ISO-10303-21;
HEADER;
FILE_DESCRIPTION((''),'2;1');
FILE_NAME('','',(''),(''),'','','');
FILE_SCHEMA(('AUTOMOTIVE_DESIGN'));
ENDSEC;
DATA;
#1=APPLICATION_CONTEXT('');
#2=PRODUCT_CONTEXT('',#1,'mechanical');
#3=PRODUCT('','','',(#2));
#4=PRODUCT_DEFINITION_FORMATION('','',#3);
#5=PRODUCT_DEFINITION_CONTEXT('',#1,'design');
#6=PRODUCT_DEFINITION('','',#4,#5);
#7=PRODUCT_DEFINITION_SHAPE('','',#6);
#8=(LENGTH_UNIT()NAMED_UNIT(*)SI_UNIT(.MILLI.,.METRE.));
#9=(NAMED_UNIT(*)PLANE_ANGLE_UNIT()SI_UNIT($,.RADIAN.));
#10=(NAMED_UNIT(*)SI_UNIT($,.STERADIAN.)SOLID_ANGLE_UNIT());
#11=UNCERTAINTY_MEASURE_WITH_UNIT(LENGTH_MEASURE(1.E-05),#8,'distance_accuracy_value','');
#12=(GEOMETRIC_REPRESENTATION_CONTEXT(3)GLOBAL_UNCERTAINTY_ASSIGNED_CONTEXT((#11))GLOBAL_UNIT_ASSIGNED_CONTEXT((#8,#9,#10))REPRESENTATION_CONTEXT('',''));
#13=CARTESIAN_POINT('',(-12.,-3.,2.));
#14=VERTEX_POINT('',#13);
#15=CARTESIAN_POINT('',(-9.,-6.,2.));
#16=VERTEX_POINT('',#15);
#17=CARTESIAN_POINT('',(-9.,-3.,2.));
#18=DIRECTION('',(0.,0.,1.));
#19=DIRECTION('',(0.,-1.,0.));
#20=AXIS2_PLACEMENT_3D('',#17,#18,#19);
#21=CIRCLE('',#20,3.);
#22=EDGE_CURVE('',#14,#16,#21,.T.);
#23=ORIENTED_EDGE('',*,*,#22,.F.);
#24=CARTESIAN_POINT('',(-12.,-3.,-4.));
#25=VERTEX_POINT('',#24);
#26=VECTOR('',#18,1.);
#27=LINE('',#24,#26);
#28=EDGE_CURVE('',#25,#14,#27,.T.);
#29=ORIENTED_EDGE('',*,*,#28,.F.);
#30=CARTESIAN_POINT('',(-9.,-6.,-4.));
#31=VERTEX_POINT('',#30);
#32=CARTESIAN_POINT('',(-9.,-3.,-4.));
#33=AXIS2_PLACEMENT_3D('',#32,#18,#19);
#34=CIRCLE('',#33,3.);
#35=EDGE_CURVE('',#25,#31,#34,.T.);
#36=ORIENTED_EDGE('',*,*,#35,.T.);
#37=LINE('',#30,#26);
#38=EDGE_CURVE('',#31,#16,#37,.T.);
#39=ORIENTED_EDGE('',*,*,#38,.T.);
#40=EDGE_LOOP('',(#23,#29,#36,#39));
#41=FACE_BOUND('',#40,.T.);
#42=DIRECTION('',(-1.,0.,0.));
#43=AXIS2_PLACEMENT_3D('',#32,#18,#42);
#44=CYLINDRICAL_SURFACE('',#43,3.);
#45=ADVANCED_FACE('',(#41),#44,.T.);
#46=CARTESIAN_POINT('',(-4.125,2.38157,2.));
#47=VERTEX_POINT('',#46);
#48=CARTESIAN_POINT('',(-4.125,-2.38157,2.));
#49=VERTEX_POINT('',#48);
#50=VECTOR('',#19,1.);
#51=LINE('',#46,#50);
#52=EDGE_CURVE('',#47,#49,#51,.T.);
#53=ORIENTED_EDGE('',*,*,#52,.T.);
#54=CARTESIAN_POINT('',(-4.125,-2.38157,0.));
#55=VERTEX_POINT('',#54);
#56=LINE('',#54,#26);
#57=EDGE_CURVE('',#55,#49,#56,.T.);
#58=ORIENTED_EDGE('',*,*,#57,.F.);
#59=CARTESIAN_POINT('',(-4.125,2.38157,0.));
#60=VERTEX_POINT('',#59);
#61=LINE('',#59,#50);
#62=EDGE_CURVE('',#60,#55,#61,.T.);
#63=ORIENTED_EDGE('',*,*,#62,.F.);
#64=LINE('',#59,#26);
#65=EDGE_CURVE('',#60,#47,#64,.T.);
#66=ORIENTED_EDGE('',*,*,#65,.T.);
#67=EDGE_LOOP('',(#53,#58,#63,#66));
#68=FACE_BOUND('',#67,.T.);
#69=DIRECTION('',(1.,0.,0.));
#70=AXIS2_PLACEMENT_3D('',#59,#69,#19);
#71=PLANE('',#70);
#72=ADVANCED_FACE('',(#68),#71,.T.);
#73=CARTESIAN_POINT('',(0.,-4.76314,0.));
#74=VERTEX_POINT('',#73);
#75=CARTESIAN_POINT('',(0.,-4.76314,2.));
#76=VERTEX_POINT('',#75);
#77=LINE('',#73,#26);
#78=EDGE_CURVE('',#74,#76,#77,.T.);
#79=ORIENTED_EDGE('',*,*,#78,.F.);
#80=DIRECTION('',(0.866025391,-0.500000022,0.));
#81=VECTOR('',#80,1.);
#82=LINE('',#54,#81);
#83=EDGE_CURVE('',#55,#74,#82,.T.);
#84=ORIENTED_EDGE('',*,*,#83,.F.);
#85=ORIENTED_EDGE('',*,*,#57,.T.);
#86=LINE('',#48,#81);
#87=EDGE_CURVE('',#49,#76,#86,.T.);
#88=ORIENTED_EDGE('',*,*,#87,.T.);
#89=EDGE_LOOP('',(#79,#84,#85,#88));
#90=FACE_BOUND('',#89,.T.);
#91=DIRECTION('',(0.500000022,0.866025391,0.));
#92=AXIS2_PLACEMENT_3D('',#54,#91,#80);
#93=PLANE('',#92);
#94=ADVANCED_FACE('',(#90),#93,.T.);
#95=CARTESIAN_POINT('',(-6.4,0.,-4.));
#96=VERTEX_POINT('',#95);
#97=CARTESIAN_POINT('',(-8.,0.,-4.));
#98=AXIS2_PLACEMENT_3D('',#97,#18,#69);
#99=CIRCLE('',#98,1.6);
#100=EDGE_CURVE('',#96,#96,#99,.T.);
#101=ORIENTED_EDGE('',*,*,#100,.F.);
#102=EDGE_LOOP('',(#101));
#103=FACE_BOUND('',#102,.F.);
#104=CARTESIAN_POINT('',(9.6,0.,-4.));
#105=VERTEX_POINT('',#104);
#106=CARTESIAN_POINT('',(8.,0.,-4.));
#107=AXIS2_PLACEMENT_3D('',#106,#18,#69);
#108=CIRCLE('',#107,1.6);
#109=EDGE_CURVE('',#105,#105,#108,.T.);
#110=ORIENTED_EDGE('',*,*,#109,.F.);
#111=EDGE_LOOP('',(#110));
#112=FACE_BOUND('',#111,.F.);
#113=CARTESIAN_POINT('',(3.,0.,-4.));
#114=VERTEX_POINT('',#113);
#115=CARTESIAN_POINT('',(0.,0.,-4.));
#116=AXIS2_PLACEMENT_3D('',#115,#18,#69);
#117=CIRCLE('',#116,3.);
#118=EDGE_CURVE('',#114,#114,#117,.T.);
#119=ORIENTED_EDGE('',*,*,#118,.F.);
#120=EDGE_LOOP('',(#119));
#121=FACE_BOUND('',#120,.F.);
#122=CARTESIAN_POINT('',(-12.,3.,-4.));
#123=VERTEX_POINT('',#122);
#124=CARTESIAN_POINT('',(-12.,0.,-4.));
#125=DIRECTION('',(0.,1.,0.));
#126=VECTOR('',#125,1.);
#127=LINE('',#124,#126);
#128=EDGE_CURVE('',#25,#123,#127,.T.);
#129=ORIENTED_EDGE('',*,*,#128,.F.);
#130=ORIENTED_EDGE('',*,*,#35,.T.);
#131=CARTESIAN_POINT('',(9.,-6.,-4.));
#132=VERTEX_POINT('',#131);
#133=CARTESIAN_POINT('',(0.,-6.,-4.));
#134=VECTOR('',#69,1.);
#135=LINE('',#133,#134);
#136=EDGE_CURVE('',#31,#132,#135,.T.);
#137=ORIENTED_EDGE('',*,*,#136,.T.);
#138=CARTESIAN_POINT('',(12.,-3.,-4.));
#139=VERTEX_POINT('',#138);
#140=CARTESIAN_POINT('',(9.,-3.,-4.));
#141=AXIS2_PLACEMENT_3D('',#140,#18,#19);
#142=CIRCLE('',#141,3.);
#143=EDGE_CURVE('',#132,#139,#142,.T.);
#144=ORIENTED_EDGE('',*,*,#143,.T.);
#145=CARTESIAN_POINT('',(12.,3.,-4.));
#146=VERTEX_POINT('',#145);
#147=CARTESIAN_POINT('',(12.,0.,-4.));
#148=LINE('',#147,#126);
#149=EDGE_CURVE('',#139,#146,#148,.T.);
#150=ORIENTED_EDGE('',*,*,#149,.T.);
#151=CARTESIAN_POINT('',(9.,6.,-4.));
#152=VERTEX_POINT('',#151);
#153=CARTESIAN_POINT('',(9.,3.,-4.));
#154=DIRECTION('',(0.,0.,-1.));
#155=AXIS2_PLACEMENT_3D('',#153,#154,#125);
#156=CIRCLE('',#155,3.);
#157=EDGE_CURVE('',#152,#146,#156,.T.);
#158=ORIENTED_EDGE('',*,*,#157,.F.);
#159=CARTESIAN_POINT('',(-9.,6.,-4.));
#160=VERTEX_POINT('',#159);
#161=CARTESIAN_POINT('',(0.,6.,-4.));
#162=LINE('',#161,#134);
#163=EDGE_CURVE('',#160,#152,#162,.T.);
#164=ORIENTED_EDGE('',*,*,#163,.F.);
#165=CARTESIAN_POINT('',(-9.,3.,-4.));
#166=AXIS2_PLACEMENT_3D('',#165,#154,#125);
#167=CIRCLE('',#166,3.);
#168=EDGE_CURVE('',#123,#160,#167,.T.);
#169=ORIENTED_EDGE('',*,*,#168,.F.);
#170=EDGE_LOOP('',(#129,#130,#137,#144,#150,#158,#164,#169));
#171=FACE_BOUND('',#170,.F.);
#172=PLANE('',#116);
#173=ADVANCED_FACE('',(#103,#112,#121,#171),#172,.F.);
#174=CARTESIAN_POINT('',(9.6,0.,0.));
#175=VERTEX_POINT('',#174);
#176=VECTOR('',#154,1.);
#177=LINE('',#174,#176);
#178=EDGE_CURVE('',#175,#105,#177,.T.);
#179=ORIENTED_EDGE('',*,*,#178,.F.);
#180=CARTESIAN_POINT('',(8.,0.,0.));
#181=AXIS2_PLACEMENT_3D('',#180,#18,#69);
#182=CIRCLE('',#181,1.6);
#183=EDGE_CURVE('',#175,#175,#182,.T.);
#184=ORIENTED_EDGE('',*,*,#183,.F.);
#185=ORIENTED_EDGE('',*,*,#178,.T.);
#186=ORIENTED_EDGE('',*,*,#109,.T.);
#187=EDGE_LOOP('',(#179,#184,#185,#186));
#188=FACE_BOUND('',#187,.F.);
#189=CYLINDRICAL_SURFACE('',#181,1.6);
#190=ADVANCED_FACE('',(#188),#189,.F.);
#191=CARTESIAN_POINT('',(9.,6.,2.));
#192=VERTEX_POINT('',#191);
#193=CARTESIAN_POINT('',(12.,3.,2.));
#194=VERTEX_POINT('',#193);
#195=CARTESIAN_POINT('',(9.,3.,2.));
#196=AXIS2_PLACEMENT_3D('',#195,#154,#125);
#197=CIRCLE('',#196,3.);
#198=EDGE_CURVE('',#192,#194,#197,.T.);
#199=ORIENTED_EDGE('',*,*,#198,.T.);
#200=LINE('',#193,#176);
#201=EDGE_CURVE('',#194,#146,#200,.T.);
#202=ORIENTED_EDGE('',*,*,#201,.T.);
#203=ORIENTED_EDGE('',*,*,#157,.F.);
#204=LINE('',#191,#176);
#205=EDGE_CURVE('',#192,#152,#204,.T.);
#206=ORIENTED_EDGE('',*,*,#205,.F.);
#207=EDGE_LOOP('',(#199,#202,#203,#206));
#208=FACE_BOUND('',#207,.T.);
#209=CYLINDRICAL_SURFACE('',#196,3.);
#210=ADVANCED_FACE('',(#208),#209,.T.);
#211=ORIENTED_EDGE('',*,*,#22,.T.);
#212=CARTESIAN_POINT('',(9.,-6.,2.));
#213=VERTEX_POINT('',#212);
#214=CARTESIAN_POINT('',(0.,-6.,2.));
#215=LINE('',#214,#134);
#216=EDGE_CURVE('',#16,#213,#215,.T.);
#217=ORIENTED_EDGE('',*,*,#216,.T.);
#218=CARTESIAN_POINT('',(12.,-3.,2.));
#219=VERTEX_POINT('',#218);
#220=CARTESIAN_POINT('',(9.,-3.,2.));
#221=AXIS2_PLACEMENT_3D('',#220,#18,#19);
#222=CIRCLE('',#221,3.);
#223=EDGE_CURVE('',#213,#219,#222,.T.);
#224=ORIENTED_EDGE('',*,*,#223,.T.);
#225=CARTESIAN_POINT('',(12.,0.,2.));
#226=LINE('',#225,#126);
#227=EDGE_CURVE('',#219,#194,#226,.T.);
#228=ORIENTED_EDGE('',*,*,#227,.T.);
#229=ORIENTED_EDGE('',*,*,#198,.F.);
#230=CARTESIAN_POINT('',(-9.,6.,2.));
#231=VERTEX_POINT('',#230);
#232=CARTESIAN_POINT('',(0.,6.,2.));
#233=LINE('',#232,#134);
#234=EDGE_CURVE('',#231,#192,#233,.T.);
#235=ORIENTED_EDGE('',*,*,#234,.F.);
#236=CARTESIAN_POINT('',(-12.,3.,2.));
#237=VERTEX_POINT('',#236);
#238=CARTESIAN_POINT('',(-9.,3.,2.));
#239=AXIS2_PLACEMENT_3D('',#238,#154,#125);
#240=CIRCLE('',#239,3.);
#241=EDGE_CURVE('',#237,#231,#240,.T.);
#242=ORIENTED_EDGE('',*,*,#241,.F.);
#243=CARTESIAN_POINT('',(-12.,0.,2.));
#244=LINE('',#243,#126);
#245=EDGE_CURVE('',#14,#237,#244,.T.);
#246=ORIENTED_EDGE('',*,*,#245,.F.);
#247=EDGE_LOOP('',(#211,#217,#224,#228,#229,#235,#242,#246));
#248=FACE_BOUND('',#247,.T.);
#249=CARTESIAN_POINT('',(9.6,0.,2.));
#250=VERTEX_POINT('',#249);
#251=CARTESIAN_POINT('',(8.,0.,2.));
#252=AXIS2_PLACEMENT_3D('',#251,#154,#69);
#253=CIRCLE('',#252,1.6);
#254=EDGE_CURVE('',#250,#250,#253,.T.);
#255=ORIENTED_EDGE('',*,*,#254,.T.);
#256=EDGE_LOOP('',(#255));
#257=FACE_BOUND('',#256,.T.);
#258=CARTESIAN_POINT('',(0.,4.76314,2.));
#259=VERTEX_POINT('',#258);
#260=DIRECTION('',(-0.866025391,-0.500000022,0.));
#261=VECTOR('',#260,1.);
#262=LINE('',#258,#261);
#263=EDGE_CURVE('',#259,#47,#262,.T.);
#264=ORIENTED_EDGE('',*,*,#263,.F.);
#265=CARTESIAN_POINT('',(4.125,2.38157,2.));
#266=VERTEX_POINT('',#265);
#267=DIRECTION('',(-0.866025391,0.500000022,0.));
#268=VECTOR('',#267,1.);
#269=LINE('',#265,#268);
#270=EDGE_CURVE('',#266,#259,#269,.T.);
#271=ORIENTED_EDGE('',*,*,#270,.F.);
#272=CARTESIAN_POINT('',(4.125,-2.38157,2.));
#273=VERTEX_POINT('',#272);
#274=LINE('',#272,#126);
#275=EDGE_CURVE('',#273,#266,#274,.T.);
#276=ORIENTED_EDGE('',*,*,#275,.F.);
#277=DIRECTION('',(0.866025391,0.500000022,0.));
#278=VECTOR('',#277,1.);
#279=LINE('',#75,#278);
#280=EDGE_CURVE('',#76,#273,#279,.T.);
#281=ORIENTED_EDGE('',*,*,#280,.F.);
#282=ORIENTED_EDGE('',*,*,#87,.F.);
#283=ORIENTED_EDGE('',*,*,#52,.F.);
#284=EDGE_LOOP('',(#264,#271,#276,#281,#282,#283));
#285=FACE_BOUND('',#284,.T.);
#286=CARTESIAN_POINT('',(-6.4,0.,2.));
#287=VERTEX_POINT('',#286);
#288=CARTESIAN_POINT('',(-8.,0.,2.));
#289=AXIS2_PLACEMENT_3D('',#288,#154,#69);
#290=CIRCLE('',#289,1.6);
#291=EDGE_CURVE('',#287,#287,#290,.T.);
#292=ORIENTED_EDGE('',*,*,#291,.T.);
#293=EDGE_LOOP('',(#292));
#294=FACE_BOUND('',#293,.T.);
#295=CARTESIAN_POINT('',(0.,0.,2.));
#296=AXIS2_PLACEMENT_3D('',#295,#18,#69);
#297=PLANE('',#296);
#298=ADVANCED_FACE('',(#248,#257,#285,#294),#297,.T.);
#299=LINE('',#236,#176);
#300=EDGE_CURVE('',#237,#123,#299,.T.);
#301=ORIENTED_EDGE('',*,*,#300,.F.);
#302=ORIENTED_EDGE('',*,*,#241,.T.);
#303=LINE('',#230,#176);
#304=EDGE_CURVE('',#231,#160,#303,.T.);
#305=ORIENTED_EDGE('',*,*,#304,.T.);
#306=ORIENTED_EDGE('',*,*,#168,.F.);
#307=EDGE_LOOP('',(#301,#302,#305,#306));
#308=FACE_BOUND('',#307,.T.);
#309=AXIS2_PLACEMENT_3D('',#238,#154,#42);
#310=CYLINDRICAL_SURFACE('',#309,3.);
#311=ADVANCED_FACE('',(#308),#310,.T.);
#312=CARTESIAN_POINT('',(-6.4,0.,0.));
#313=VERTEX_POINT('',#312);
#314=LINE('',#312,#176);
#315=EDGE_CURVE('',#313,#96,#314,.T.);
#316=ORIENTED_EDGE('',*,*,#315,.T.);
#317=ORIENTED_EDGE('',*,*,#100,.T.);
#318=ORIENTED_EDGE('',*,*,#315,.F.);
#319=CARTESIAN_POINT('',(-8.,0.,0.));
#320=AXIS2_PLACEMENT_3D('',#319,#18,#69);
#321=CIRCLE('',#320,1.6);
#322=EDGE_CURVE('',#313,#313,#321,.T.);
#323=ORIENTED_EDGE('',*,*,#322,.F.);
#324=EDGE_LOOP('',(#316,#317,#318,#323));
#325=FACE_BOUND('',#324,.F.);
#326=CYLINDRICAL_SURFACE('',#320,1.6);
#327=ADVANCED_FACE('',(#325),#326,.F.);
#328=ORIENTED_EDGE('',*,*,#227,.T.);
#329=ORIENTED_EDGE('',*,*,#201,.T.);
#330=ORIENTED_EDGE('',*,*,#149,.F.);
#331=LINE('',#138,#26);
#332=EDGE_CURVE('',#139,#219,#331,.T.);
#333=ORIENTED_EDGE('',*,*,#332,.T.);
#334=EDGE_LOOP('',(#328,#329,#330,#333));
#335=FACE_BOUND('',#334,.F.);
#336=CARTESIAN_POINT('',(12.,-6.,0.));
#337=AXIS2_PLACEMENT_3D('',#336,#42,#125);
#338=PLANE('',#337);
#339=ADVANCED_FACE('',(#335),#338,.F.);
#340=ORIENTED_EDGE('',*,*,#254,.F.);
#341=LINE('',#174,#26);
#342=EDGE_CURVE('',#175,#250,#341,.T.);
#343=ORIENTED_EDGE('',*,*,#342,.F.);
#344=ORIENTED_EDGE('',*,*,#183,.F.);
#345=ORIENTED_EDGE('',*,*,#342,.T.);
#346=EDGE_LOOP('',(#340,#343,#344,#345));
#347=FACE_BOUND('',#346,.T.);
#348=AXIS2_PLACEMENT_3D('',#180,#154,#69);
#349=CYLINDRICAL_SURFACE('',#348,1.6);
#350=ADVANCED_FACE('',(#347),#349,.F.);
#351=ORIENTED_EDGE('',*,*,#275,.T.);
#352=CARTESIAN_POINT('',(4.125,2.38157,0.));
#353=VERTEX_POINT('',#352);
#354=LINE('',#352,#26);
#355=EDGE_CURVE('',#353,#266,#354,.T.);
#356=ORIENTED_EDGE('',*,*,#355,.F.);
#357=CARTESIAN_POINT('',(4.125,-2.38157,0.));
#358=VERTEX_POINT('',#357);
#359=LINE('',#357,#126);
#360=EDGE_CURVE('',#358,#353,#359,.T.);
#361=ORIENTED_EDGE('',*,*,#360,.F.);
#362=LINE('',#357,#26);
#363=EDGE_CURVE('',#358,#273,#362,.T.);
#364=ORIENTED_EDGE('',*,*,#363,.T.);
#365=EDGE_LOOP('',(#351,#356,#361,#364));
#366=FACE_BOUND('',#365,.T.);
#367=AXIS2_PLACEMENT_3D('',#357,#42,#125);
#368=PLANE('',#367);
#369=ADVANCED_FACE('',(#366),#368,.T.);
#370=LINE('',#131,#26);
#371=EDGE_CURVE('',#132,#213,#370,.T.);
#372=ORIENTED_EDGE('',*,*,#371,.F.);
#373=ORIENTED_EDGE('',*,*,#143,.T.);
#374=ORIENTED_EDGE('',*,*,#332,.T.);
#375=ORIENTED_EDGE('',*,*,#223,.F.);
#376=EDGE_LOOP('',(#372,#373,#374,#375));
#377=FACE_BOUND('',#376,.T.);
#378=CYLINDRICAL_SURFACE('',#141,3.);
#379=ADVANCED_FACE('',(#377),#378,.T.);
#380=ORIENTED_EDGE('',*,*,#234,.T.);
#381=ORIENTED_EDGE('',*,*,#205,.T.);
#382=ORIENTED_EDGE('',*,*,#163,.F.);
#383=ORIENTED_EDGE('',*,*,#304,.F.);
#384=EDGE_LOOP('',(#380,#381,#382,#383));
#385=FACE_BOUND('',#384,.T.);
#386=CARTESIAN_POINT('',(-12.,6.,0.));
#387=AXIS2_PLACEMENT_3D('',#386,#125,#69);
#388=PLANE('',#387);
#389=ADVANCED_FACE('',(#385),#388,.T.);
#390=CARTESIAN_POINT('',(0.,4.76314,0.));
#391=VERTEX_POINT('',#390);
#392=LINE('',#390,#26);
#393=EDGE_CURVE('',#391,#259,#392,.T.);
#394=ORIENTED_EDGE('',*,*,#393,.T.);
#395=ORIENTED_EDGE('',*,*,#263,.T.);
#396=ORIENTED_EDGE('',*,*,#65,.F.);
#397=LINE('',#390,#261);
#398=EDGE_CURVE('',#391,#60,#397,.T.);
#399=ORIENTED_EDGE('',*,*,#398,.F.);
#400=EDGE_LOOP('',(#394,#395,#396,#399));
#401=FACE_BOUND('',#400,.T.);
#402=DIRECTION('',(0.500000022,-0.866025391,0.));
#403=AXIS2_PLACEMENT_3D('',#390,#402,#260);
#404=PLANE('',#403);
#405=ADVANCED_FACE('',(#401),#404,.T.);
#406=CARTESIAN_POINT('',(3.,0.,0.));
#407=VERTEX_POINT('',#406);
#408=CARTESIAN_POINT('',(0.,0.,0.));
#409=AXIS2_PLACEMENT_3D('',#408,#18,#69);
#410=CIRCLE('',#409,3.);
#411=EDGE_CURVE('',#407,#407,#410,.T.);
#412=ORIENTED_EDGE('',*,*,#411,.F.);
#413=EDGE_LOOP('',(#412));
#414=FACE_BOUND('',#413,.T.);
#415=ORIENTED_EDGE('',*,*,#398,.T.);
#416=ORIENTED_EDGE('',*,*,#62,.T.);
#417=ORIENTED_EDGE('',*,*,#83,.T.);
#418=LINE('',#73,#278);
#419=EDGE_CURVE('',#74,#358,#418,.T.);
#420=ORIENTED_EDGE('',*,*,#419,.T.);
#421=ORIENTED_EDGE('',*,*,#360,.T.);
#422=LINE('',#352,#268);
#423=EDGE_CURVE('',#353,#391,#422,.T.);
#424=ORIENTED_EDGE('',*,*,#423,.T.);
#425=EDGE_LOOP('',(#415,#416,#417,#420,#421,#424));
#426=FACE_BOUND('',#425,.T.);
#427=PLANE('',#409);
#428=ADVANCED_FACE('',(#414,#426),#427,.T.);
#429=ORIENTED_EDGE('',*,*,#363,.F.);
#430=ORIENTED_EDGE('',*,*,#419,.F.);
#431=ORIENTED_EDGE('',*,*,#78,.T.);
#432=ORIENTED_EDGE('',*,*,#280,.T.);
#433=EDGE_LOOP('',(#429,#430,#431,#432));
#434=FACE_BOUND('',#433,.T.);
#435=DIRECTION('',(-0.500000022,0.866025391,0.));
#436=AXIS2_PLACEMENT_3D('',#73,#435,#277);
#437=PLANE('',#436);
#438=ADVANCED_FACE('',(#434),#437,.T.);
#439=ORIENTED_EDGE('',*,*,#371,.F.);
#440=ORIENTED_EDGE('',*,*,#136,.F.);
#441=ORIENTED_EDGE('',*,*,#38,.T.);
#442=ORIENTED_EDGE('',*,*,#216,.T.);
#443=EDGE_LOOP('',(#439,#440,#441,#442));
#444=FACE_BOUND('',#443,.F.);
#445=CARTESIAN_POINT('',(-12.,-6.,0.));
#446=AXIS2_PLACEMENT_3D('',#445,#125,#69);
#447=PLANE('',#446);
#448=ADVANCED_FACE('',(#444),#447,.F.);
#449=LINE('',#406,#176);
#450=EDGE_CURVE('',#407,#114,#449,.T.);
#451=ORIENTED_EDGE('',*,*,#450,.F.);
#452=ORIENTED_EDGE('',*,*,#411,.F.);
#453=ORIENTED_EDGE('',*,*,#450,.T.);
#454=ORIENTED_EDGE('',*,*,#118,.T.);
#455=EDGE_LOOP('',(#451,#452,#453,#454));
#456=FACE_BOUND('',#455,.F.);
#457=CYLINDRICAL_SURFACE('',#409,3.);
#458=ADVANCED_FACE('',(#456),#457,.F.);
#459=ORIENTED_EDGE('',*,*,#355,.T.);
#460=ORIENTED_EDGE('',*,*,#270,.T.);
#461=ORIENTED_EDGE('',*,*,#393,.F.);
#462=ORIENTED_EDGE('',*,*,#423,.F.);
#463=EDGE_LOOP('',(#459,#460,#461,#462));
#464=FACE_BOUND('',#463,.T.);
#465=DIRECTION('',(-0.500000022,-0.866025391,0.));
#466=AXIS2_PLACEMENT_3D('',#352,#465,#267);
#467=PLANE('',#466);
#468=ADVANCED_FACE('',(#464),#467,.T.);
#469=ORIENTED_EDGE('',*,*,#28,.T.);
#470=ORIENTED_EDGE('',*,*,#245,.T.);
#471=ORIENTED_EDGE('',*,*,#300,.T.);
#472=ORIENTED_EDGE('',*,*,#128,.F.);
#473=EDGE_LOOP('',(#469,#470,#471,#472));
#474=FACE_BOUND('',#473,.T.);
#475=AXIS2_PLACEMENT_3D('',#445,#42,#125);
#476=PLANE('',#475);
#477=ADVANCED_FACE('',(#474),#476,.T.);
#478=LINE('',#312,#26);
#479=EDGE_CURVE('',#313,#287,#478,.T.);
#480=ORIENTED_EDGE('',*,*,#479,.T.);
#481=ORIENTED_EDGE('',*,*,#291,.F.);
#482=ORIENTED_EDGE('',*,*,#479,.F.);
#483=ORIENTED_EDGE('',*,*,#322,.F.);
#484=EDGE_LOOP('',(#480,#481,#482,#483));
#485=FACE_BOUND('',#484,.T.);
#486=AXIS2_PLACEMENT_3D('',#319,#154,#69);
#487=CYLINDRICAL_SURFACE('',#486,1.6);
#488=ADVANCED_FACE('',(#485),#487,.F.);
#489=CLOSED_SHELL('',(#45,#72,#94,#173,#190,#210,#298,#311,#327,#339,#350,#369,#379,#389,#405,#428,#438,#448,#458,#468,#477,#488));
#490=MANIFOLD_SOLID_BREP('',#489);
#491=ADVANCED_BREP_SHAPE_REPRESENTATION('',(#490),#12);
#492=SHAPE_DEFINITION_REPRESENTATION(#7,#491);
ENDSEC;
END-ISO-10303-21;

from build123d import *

# Parameters (mm, degrees)
SKETCH_W          = 24
SKETCH_H          = 12
SKETCH_R          = 3
PAD_DEPTH         = 4
SKETCH001_W       = 24
SKETCH001_H       = 12
PAD001_DEPTH      = 2
SKETCH002_R       = 1.6
POCKET_DEPTH      = 4.001
POCKET_DEPTH_BACK = -2.001
FILLET_R          = 3


with BuildPart() as part:
    # Sketch → Pad (new body)
    with BuildSketch(Plane.XY):
        Rectangle(SKETCH_W, SKETCH_H)
        Circle(SKETCH_R, mode=Mode.SUBTRACT)
    extrude(amount=-PAD_DEPTH)

    # Sketch001 → Pad001 (join)
    with BuildSketch(Plane.XY):
        Rectangle(SKETCH001_W, SKETCH001_H)
        Polygon((4.125, -2.38157), (4.125, 2.38157), (0, 4.76314), (-4.125, 2.38157), (-4.125, -2.38157), (0, -4.76314), align=None, mode=Mode.SUBTRACT)
    extrude(amount=PAD001_DEPTH)

    # Sketch002 → Pocket (cut, two sides)
    with BuildSketch(Plane.XY) as pocket_sk:
        with Locations((-8, 0)):
            Circle(SKETCH002_R)
        with Locations((8, 0)):
            Circle(SKETCH002_R)
    extrude(amount=-POCKET_DEPTH, mode=Mode.SUBTRACT)
    extrude(pocket_sk.sketch, amount=-POCKET_DEPTH_BACK, mode=Mode.SUBTRACT)

    # Fillet
    fillet_edges = [part.edges().sort_by_distance(p)[0] for p in [
        (-12, -6, -2),
        (-12, 6, -2),
        (12, 6, -2),
        (12, -6, -2),
    ]]
    fillet(fillet_edges, radius=FILLET_R)


solid = part.part
